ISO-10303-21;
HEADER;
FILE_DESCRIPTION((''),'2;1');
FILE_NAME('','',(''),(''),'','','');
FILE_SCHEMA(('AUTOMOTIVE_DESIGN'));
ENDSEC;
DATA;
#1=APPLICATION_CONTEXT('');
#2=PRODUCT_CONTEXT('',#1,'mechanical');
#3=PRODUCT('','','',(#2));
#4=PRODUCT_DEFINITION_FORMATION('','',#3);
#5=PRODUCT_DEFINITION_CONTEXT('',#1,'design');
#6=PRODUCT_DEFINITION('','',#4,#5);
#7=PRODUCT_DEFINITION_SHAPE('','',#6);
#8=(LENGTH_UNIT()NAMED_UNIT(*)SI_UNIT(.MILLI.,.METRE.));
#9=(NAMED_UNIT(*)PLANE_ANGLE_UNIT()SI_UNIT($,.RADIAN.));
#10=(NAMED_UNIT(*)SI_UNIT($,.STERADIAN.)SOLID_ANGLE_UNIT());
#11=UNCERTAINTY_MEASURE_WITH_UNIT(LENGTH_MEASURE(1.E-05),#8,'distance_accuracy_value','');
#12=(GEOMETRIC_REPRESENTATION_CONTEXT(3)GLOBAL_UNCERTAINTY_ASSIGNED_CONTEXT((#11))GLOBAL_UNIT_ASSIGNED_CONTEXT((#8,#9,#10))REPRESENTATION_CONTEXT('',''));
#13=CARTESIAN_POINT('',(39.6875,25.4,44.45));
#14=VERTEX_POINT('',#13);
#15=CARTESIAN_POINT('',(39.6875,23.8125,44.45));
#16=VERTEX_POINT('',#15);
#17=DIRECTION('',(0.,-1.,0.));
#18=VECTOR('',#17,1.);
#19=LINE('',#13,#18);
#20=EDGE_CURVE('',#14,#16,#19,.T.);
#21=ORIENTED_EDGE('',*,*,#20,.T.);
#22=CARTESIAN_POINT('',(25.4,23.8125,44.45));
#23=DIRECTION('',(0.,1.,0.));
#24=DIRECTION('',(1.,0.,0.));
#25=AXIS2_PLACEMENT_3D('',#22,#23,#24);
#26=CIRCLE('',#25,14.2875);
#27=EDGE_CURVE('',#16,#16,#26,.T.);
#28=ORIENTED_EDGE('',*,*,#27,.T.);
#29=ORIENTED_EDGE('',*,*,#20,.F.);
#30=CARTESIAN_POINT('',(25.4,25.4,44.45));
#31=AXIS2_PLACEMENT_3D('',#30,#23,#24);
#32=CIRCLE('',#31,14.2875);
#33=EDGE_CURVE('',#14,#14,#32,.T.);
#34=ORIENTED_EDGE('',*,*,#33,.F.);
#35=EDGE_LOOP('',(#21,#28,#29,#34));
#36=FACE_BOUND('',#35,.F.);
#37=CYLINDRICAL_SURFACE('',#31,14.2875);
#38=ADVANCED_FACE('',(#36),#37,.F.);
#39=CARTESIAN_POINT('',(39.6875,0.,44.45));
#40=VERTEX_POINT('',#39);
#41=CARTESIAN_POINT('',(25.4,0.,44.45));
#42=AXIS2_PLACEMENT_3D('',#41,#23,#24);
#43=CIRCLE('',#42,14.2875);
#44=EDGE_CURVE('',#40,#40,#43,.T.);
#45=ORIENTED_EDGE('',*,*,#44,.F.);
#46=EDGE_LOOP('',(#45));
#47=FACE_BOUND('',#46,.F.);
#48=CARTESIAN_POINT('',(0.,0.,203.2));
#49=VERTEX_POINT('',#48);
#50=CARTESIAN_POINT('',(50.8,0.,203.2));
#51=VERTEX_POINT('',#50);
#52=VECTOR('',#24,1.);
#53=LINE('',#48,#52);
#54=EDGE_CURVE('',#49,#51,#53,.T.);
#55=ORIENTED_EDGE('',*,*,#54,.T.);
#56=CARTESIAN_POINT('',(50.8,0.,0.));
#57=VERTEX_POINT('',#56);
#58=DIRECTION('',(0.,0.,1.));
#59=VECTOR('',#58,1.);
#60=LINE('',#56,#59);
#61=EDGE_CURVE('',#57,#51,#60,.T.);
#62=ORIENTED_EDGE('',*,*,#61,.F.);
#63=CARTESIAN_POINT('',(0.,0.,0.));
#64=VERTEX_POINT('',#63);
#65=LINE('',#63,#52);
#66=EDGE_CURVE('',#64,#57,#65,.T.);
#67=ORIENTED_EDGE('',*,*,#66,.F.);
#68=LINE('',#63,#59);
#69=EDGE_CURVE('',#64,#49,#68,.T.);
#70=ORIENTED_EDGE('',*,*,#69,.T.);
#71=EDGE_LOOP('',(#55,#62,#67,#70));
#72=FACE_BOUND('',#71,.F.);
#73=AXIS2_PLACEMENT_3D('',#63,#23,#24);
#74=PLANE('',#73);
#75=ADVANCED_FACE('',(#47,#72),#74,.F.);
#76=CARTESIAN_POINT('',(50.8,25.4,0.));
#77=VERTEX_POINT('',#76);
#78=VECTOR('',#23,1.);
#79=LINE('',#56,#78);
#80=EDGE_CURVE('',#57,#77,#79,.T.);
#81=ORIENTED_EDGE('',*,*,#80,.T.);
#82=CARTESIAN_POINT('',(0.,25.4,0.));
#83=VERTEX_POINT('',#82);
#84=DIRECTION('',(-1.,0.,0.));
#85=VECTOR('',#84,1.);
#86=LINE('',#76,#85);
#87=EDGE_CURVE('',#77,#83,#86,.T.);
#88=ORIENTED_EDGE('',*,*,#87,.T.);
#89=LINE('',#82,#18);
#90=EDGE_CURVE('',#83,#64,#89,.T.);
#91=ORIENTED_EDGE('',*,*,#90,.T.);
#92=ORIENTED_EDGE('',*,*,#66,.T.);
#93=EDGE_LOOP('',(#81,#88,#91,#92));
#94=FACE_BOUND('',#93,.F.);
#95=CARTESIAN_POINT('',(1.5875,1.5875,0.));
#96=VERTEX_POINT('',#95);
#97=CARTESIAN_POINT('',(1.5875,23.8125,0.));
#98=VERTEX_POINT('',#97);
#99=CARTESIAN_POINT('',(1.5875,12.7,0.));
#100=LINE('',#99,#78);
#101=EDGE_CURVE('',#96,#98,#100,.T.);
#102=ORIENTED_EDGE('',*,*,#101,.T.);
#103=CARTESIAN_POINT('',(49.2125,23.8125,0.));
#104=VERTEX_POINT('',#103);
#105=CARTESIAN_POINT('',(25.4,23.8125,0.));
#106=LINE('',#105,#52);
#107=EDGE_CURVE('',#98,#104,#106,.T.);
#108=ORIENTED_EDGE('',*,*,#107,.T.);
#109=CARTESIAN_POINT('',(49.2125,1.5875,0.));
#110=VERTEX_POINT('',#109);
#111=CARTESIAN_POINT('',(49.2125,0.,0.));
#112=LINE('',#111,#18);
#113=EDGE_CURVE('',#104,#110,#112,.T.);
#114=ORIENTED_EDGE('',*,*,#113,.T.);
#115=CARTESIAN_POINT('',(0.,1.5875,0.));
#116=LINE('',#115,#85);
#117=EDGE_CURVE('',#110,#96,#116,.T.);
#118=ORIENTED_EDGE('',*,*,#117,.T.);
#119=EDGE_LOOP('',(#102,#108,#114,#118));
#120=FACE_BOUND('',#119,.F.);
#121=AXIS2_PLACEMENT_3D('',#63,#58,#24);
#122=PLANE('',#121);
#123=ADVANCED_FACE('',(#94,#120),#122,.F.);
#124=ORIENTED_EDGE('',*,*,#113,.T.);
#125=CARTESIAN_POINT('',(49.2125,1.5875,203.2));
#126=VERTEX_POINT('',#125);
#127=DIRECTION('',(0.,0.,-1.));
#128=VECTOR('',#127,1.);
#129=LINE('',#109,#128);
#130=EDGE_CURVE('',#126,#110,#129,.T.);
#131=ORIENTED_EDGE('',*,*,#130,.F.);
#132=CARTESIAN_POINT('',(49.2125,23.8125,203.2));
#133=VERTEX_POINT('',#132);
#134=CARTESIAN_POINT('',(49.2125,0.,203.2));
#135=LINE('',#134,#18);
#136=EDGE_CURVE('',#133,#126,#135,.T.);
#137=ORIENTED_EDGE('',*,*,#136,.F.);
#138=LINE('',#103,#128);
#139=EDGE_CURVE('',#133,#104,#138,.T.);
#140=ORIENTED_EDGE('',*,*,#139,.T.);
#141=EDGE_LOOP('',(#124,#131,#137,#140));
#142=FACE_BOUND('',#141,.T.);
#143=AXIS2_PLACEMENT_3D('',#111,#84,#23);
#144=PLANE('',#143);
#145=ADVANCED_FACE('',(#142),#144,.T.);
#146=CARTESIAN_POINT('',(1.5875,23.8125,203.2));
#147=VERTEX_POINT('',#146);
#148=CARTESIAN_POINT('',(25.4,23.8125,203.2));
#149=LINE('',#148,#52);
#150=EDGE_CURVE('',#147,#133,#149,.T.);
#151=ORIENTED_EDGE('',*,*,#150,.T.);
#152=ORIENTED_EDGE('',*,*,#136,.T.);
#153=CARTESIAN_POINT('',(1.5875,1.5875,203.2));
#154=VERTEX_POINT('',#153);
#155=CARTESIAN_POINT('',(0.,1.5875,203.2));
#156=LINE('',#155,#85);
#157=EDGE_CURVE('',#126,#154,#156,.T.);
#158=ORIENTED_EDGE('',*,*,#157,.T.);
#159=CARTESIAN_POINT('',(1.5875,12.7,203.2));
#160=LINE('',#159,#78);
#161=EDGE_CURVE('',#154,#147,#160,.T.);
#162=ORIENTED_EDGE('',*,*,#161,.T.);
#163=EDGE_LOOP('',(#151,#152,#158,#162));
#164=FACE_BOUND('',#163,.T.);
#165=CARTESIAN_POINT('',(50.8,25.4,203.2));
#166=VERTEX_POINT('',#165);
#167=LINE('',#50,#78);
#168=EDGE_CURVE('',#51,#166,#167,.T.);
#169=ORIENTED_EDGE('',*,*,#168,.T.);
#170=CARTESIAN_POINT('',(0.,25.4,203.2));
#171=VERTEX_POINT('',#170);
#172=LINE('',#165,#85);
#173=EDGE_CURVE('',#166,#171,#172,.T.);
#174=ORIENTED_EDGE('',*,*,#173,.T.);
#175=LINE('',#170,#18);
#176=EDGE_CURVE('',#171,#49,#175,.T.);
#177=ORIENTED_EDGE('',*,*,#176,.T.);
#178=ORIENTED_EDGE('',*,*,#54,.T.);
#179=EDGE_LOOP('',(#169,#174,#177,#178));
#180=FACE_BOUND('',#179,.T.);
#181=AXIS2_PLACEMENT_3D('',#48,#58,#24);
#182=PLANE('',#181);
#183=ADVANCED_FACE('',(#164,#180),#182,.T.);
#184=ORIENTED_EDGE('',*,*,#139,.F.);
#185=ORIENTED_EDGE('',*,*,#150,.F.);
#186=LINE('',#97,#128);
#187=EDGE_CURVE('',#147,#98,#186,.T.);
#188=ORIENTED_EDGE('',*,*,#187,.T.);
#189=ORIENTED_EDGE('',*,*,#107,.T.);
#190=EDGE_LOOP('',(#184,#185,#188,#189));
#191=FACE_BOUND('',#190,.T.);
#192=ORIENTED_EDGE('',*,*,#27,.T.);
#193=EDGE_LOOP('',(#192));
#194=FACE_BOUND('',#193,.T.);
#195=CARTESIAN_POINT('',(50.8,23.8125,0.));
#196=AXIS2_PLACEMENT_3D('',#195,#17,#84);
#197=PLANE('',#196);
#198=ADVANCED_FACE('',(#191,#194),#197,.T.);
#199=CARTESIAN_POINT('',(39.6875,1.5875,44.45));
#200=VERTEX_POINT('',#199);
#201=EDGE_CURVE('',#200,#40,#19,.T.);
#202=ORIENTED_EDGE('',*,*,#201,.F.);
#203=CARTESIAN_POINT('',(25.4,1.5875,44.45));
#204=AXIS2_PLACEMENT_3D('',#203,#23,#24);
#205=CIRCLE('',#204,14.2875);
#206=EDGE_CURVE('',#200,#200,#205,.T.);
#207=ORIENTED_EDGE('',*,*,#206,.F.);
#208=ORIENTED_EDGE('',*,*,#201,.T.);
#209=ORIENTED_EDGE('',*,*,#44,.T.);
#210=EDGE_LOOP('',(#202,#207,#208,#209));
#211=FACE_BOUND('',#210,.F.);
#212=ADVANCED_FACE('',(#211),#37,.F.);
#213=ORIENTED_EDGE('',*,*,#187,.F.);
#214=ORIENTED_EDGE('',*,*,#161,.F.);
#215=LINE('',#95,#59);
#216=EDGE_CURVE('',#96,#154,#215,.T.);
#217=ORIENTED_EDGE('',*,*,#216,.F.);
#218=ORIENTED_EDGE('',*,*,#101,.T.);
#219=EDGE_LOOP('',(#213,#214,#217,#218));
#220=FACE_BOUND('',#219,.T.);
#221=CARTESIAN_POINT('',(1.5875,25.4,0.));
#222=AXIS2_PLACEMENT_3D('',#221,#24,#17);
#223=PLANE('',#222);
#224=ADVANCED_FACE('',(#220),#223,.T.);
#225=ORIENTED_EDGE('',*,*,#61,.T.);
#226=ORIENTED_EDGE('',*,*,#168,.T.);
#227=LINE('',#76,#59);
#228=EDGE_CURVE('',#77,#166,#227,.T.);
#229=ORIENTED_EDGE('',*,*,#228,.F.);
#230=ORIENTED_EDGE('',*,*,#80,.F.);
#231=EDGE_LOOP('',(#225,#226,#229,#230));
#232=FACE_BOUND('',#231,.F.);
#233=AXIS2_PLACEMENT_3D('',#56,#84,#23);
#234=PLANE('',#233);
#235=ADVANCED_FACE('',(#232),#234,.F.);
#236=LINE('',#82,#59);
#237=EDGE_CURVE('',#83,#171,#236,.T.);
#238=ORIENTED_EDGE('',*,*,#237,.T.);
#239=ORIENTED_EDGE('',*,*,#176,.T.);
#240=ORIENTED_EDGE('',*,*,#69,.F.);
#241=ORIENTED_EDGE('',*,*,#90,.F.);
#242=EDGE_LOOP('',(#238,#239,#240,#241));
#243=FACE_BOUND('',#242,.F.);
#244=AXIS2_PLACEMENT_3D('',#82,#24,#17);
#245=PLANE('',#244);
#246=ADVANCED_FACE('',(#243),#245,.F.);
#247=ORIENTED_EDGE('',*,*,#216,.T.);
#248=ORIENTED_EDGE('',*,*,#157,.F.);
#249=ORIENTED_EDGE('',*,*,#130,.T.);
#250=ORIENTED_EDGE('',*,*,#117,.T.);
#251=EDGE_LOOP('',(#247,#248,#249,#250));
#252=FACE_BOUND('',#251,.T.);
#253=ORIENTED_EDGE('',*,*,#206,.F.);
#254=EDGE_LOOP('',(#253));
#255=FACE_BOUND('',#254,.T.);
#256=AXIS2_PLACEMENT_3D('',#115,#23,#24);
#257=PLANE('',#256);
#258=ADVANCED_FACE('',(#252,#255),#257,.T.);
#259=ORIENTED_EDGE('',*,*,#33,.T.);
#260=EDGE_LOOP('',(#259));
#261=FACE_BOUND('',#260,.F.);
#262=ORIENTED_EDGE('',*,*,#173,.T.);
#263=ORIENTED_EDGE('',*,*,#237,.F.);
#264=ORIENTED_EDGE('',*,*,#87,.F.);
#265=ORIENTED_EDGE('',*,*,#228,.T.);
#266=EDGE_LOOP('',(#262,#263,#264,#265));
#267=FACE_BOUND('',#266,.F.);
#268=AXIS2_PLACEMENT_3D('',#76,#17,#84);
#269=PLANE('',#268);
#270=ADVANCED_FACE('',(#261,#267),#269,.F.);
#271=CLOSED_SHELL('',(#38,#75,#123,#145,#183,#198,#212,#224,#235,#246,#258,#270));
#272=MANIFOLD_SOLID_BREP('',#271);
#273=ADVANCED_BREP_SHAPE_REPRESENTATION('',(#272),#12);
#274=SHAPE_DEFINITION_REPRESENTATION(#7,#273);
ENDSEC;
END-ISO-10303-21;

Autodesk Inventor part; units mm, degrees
ref_plane "YZ Plane" through (0, 0, 0) normal (1, 0, 0) x (0, 1, 0)
ref_plane "XZ Plane" through (0, 0, 0) normal (0, 1, 0) x (-1, 0, 0)
ref_plane "XY Plane" through (0, 0, 0) normal (0, 0, 1) x (1, 0, 0)
sketch "Sketch1" plane through (0, 0, 0) normal (0, 0, 1) x (1, 0, 0)
  line L0 (0, 0) -> (50.8, 0)
  line L1 (50.8, 0) -> (50.8, 25.4)
  line L2 (50.8, 25.4) -> (0, 25.4)
  line L3 (0, 25.4) -> (0, 0)
  dimension "d0" = 50.8
  dimension "d1" = 25.4
extrude "Extrusion1" add sketch "Sketch1" along normal blind 203.2
shell "Shell1" thickness 1.5875 removed faces 2 at (16.9333, 8.4667, 0) at (16.9333, 8.4667, 203.2)
sketch "Sketch2" plane through (0, 25.4, 0) normal (0, 1, 0) x (1, 0, 0)
  circle A0 centre (25.4, -44.45) radius 14.2875
  line L0 (0, 0) -> (0, -203.2) projected
  line L1 (50.8, 0) -> (0, 0) projected
  dimension "d5" = 25.4
  dimension "d6" = 44.45
  dimension "d7" = 28.575
extrude "Extrusion2" cut sketch "Sketch2" against normal through all
equation "\"d2\" = Length"
equation "\"Length\" = 203.2"
properties part number "wrist bar boxtube"
